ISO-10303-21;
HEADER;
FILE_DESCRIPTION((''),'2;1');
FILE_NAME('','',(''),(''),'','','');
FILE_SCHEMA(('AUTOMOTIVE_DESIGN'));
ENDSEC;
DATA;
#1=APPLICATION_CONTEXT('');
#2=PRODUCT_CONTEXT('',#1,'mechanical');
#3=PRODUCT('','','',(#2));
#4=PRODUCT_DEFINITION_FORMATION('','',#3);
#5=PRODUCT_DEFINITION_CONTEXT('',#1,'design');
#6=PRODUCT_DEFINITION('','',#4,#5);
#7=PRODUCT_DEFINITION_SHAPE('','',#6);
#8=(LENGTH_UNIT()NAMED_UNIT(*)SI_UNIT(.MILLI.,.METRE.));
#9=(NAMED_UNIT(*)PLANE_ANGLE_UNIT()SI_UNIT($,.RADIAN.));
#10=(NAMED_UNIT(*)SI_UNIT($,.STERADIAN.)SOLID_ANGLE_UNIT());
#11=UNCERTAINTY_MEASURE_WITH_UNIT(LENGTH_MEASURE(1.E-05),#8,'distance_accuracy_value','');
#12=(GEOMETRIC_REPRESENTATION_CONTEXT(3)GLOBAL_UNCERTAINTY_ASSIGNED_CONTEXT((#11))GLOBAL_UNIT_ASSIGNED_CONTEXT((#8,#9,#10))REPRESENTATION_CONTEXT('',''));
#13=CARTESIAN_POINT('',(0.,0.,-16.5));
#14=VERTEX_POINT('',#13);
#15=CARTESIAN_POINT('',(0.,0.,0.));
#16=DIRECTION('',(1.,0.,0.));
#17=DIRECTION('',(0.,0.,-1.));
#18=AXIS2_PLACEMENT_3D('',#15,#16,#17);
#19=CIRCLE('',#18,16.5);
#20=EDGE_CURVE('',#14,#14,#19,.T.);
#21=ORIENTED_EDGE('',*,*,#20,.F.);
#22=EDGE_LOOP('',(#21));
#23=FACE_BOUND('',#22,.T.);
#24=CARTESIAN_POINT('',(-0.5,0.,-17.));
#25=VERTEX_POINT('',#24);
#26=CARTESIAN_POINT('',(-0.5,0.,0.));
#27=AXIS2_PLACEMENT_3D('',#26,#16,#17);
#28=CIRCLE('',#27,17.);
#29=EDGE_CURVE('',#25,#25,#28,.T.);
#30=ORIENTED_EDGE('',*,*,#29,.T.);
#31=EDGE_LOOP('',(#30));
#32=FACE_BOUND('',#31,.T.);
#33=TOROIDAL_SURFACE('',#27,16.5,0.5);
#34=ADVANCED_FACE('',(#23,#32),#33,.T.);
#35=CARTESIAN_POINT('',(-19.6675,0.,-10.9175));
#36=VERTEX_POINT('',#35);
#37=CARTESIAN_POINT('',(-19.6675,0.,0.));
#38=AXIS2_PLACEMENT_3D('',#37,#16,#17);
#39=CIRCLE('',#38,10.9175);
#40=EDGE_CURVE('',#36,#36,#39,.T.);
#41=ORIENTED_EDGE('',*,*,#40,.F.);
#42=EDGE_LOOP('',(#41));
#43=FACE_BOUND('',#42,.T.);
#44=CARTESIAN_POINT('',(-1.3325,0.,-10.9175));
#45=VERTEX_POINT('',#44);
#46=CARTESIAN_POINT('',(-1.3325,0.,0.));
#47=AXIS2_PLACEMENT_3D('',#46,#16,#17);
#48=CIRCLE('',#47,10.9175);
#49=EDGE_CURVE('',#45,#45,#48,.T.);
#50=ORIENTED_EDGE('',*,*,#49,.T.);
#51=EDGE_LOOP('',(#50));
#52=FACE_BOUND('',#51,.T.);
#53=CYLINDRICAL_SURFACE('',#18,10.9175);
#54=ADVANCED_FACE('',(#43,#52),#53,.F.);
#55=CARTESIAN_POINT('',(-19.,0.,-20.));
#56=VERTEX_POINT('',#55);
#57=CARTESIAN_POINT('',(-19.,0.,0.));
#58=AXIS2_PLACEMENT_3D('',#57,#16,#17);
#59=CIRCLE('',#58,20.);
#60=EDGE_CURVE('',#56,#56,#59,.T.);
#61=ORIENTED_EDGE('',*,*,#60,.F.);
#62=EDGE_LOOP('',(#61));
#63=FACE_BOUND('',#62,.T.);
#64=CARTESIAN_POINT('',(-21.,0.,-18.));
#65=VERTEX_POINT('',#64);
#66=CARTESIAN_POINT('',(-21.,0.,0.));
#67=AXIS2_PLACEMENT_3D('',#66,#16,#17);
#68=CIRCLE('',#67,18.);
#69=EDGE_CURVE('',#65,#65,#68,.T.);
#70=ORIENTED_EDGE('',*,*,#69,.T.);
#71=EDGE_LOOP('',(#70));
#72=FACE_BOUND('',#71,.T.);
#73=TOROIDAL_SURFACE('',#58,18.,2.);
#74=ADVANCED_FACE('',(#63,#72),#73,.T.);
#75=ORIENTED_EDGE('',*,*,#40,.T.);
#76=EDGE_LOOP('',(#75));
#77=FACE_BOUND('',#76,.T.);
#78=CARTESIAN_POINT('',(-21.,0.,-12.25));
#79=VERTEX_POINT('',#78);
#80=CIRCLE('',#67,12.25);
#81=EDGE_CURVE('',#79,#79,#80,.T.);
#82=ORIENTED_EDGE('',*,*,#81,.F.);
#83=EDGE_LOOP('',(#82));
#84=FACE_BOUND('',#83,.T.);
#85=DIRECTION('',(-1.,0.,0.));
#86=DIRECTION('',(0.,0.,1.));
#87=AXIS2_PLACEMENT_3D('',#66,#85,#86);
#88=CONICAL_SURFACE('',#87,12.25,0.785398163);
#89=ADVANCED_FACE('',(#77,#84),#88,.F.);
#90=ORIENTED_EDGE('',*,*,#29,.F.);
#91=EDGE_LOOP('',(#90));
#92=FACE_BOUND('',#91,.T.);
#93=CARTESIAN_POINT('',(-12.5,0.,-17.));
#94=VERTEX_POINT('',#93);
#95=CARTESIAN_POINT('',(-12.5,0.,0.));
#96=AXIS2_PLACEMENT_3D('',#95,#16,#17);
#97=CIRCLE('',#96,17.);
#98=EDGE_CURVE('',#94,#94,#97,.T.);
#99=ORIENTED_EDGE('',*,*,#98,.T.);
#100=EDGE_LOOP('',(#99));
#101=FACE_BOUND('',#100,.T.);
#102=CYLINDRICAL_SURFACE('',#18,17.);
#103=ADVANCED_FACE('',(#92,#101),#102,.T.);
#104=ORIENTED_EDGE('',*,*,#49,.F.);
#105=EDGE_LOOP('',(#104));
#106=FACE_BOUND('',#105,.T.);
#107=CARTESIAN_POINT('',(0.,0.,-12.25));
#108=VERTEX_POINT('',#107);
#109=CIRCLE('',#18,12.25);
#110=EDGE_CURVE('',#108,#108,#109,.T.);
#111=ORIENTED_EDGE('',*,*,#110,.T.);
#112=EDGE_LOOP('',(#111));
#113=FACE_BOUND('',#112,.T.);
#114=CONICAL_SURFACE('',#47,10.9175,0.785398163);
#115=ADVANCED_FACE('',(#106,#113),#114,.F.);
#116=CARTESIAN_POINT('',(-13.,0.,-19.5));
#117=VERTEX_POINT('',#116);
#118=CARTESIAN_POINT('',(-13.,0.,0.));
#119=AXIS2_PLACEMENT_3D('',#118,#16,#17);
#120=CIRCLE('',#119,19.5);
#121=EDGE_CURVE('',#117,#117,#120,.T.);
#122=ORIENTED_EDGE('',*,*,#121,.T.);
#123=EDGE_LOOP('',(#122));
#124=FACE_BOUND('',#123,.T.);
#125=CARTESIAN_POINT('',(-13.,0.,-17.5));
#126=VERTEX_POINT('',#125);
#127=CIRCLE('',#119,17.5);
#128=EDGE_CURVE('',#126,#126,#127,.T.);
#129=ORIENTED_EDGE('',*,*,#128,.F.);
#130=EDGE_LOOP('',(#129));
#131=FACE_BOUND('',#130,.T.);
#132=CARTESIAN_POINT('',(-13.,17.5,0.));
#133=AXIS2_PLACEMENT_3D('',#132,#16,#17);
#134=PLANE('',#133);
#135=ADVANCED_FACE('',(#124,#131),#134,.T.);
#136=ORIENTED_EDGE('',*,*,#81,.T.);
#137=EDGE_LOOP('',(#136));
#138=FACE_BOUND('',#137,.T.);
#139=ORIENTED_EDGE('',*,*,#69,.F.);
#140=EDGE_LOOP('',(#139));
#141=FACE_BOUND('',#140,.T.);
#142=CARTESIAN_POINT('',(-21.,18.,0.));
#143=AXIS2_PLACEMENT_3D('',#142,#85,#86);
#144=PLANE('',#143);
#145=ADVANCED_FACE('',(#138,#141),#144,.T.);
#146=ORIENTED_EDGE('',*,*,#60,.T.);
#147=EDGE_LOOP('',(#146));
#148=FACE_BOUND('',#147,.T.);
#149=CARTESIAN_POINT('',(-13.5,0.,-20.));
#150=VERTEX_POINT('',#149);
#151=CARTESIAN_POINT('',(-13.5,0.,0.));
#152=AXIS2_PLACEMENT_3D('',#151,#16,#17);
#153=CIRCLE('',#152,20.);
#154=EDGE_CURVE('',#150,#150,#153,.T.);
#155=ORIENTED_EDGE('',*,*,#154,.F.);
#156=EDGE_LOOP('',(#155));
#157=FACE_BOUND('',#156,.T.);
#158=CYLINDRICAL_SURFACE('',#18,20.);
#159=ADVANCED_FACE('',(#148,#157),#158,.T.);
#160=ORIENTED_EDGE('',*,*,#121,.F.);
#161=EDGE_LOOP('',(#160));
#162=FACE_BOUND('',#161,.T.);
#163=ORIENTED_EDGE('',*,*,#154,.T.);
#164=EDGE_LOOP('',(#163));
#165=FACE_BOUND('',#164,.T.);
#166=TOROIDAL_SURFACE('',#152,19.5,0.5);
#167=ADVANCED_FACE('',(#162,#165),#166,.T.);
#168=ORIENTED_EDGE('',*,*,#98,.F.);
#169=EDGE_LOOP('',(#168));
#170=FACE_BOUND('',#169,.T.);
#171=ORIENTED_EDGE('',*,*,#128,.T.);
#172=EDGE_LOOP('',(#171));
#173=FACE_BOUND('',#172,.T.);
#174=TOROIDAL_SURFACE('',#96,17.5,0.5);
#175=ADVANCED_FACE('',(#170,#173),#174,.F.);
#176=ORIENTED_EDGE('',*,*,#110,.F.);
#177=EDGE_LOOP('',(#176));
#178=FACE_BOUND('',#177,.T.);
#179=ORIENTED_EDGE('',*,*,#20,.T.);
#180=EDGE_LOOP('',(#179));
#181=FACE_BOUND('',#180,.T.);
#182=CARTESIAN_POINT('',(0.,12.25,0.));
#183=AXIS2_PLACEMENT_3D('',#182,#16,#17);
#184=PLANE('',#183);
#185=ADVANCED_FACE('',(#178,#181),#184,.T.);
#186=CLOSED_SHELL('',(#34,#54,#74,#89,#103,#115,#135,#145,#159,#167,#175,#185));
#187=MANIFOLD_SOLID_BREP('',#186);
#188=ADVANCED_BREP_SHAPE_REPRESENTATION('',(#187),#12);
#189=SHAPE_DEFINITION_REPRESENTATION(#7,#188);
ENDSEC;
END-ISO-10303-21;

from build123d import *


with BuildPart() as part:
    # Sketch1 → Base-Revolve (revolve)
    with BuildSketch(Plane.XY):
        with BuildLine():
            Line((0, 12.25), (0, 16.5))
            ThreePointArc((0, 16.5), (-0.146446609, 16.853553391), (-0.5, 17))
            Line((-0.5, 17), (-12.5, 17))
            ThreePointArc((-12.5, 17), (-12.853553391, 17.146446609), (-13, 17.5))
            Line((-13, 17.5), (-13, 19.5))
            ThreePointArc((-13, 19.5), (-13.146446609, 19.853553391), (-13.5, 20))
            Line((-13.5, 20), (-19, 20))
            ThreePointArc((-19, 20), (-20.414213562, 19.414213562), (-21, 18))
            Line((-21, 18), (-21, 12.25))
            Line((-21, 12.25), (-19.6675, 10.9175))
            Line((-19.6675, 10.9175), (-1.3325, 10.9175))
            Line((-1.3325, 10.9175), (0, 12.25))
        make_face()
    revolve(axis=Axis((0, 0, 0), (-1, 0, 0)))


solid = part.part
